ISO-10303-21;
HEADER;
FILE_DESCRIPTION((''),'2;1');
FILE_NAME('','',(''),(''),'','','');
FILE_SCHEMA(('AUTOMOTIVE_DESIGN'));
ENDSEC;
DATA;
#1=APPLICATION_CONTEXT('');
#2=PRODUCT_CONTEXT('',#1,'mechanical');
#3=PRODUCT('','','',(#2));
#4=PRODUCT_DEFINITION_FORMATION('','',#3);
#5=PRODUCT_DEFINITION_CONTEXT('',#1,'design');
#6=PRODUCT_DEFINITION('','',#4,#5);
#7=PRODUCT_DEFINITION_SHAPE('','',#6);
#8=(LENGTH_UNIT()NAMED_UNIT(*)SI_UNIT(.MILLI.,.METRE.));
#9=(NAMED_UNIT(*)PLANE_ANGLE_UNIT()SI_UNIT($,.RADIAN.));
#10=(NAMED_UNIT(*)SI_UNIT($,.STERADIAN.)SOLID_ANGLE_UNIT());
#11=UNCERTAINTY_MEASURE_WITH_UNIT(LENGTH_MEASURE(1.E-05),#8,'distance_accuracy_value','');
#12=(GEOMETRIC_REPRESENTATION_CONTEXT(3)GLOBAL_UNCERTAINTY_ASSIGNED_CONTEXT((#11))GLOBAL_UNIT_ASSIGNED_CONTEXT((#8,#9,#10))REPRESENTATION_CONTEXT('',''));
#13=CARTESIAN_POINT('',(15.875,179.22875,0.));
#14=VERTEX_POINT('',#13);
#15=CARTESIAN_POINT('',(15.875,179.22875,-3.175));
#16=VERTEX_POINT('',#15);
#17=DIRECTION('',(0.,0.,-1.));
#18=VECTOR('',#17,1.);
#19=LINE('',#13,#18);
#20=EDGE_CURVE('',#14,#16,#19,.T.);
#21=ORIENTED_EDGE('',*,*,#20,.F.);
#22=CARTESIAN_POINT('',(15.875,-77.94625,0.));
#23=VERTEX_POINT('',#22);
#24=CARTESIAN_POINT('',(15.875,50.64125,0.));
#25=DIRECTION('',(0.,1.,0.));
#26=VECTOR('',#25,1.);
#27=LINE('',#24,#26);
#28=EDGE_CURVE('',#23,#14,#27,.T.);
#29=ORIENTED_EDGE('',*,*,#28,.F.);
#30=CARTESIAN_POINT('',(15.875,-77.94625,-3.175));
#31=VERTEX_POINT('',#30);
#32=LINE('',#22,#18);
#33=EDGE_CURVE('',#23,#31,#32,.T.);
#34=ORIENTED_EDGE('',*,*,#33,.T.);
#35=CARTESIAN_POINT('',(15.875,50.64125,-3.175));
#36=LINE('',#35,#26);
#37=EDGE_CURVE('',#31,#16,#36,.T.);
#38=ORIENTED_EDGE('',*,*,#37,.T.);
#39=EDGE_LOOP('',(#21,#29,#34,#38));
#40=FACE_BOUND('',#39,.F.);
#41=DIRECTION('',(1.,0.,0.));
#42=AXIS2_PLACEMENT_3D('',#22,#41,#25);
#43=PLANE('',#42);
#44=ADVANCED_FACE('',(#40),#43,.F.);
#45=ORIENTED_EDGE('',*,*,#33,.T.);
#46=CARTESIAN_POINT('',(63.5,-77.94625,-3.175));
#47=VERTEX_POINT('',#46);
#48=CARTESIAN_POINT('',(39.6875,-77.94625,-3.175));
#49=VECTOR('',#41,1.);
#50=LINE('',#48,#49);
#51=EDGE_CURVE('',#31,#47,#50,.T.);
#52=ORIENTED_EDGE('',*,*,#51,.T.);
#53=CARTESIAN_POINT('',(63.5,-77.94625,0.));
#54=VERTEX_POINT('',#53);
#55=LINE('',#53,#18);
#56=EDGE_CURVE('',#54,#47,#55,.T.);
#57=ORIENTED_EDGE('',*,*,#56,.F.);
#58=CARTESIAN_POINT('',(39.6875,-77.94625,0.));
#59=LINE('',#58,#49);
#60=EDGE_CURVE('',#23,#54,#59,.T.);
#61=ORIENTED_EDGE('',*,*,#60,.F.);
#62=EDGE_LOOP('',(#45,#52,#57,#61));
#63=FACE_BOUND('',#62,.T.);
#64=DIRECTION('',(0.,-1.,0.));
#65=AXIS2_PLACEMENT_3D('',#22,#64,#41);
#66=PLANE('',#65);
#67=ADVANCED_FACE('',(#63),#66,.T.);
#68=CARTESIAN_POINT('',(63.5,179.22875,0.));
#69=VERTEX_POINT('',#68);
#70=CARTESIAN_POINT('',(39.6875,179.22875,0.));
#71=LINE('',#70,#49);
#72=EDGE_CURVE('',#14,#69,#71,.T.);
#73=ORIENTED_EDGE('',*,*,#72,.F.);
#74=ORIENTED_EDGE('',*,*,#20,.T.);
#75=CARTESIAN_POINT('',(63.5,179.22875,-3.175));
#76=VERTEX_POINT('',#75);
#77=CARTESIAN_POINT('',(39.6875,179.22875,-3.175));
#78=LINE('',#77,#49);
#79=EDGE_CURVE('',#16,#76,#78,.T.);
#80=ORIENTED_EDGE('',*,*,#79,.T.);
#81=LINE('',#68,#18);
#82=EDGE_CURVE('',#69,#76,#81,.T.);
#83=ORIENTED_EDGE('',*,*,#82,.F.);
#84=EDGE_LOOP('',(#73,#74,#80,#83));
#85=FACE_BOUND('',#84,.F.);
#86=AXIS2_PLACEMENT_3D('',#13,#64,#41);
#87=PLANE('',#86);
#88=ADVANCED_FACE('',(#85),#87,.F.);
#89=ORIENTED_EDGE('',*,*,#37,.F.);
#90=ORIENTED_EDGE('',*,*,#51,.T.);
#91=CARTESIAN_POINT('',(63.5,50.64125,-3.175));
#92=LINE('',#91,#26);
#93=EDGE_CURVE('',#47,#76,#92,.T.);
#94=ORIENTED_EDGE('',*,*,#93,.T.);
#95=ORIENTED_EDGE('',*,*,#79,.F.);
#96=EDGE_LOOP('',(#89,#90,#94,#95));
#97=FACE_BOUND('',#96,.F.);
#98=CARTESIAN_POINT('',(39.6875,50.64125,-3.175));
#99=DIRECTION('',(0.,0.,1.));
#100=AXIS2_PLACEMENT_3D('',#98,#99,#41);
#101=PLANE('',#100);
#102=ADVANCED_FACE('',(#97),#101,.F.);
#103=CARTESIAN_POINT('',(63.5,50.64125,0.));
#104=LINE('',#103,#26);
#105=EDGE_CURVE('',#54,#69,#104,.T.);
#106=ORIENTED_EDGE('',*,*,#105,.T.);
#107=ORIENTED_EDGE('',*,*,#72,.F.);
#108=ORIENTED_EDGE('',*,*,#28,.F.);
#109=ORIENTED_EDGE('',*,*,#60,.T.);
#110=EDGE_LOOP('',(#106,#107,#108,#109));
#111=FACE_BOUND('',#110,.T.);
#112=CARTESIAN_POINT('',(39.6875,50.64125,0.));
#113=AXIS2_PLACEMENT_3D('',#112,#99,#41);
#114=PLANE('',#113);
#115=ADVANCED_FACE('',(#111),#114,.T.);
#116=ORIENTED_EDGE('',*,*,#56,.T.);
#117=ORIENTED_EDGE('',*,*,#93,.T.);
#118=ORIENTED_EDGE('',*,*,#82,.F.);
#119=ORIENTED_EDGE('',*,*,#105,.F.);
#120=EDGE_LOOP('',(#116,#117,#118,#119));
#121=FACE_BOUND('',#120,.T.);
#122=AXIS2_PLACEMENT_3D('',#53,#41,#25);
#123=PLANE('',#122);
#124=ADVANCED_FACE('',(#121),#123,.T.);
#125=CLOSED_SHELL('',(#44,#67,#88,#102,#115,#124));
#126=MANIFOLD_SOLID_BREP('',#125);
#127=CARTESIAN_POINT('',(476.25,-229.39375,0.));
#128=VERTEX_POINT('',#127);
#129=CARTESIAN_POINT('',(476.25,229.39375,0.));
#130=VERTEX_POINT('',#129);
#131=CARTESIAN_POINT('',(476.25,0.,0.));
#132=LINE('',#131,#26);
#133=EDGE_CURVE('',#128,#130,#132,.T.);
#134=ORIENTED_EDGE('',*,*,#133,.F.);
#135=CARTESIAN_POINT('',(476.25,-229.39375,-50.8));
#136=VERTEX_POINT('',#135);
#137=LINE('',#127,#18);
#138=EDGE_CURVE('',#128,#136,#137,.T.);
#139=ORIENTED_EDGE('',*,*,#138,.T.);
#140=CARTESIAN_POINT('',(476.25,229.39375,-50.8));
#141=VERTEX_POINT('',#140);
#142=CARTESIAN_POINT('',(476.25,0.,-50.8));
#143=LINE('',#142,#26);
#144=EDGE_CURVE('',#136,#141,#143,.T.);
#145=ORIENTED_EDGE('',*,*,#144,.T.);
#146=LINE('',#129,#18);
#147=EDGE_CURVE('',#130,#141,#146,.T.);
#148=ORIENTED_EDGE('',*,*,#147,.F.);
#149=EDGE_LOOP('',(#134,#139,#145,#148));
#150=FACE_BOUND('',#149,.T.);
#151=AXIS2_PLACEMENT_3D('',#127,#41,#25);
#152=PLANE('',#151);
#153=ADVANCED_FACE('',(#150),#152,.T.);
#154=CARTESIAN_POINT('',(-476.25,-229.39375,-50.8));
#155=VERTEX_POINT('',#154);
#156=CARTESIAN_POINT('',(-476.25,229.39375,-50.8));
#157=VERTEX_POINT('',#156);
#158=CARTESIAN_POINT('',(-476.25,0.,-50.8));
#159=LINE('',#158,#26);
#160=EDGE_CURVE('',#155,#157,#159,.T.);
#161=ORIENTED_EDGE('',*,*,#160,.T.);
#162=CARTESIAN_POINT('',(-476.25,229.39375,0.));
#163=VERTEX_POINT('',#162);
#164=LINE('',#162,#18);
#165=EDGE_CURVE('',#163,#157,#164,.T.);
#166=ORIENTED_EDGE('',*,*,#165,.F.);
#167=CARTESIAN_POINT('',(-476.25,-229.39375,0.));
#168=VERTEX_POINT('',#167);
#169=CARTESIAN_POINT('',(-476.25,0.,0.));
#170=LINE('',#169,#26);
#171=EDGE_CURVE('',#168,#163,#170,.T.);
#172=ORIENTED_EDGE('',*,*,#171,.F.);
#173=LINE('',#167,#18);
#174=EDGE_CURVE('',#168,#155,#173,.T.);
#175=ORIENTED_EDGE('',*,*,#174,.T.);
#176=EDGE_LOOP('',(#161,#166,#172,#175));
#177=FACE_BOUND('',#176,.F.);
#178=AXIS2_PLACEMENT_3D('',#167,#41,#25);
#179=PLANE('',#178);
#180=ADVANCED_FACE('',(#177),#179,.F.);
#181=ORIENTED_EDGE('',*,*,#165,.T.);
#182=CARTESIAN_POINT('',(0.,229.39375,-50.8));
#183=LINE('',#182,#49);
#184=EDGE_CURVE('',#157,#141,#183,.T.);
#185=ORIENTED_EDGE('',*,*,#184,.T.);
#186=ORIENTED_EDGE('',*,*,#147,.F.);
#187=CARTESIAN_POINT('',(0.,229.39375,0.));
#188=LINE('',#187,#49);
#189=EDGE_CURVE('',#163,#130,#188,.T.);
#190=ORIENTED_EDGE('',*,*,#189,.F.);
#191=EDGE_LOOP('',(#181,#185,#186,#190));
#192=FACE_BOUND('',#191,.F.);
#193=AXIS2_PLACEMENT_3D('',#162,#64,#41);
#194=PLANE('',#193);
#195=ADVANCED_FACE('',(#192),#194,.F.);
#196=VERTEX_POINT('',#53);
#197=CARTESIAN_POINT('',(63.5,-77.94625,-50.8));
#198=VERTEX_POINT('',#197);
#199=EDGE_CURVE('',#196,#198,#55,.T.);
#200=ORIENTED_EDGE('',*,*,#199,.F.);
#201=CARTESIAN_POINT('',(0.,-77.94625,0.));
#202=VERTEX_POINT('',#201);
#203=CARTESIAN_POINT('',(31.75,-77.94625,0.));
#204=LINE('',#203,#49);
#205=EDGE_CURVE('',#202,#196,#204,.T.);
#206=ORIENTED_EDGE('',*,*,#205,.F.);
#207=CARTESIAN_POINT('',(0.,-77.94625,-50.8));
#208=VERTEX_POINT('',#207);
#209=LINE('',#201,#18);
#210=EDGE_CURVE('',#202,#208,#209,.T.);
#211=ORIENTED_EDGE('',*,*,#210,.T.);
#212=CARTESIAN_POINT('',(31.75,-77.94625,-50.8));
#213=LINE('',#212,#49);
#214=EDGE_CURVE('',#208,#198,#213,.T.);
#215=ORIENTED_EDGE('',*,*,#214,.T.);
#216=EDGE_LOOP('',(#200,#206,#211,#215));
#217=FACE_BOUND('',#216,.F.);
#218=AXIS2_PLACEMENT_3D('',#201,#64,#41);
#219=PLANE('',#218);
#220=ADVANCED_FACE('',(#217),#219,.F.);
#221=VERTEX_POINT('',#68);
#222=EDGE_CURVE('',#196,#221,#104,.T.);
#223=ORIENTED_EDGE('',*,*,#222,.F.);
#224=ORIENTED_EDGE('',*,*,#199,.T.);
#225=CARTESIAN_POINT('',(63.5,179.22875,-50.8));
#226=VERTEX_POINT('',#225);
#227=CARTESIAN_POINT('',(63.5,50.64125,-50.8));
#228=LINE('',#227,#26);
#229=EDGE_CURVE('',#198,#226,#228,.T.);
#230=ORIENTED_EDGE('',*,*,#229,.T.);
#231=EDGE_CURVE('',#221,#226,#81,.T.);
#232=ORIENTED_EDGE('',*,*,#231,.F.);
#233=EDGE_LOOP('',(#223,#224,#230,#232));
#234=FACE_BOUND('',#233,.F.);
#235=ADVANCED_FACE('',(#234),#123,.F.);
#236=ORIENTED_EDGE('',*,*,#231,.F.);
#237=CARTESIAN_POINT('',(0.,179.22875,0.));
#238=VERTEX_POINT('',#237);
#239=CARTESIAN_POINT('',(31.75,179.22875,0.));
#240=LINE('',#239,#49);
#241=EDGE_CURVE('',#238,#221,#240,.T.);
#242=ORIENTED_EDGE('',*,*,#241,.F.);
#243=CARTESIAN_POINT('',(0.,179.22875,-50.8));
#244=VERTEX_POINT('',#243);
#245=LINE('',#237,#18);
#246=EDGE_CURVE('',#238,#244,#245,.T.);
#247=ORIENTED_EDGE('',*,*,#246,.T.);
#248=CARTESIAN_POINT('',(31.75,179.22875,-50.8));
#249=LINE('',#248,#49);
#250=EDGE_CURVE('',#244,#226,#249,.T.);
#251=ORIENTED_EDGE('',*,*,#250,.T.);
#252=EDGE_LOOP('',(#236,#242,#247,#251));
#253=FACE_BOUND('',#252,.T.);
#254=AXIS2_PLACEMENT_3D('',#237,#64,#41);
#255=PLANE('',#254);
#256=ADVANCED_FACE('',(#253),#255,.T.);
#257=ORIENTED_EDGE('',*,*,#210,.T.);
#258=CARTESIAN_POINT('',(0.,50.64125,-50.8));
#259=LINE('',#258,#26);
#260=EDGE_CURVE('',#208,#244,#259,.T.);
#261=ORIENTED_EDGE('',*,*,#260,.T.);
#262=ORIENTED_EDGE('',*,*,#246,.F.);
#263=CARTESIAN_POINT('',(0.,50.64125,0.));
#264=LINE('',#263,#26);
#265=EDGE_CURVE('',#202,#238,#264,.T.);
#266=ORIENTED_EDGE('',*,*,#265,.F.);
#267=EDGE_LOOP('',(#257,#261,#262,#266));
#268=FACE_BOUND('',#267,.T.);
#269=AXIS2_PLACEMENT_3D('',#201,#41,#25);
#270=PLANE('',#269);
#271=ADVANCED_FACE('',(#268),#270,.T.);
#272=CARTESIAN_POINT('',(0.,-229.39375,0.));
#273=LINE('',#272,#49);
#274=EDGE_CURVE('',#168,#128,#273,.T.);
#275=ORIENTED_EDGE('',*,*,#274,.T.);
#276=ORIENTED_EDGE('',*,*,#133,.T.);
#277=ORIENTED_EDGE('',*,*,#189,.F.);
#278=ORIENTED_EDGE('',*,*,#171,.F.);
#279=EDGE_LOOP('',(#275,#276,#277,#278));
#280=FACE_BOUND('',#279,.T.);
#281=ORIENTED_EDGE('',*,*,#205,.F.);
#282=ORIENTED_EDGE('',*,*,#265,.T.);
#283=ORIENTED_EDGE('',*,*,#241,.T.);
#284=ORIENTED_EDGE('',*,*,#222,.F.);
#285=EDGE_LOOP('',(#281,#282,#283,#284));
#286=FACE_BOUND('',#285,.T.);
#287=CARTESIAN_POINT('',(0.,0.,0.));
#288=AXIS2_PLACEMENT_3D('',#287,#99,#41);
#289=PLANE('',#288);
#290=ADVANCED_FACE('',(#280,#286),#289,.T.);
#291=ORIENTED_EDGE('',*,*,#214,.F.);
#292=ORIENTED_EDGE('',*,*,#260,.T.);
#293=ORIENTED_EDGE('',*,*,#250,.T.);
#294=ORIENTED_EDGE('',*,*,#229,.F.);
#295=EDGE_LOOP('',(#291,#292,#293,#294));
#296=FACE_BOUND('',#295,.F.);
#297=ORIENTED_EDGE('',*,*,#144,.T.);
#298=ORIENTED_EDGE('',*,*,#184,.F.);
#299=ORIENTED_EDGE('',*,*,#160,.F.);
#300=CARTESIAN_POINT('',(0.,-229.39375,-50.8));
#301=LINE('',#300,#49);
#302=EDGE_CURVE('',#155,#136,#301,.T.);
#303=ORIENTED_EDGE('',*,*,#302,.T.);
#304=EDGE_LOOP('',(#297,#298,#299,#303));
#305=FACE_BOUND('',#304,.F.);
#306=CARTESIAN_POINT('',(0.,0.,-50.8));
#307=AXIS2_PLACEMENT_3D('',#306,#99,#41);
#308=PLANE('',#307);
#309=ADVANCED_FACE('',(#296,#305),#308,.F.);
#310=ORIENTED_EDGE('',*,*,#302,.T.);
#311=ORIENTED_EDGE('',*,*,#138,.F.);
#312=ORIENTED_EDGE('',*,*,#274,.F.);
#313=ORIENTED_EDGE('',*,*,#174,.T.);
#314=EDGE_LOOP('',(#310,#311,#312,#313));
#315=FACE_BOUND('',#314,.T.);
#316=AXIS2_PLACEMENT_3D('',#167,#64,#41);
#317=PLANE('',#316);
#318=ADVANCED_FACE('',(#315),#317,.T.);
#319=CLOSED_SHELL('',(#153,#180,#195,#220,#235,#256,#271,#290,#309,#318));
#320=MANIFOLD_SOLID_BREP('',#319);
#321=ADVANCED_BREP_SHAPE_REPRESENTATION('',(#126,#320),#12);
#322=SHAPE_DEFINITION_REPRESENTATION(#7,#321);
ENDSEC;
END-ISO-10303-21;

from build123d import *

# Parameters (mm, degrees)
F0_W     = 952.5
F0_H     = 458.7875
F0_W_2   = 63.5
F0_H_2   = 257.175
F1_DEPTH = 50.8
F2_W     = 47.625
F2_H     = 257.175
F3_DEPTH = 3.175


with BuildPart() as f1:
    # F0 (on Top) → F1 (new body)
    with BuildSketch(Plane.XY):
        Rectangle(F0_W, F0_H)
        with Locations((31.75, 50.64125)):
            Rectangle(F0_W_2, F0_H_2, mode=Mode.SUBTRACT)
    extrude(amount=-F1_DEPTH)


with BuildPart() as f3:
    # F2 (on face) → F3 (new body)
    with BuildSketch(Plane.XY):
        with Locations((39.6875, 50.64125)):
            Rectangle(F2_W, F2_H)
    extrude(amount=-F3_DEPTH)


solid = Compound([f1.part, f3.part])
